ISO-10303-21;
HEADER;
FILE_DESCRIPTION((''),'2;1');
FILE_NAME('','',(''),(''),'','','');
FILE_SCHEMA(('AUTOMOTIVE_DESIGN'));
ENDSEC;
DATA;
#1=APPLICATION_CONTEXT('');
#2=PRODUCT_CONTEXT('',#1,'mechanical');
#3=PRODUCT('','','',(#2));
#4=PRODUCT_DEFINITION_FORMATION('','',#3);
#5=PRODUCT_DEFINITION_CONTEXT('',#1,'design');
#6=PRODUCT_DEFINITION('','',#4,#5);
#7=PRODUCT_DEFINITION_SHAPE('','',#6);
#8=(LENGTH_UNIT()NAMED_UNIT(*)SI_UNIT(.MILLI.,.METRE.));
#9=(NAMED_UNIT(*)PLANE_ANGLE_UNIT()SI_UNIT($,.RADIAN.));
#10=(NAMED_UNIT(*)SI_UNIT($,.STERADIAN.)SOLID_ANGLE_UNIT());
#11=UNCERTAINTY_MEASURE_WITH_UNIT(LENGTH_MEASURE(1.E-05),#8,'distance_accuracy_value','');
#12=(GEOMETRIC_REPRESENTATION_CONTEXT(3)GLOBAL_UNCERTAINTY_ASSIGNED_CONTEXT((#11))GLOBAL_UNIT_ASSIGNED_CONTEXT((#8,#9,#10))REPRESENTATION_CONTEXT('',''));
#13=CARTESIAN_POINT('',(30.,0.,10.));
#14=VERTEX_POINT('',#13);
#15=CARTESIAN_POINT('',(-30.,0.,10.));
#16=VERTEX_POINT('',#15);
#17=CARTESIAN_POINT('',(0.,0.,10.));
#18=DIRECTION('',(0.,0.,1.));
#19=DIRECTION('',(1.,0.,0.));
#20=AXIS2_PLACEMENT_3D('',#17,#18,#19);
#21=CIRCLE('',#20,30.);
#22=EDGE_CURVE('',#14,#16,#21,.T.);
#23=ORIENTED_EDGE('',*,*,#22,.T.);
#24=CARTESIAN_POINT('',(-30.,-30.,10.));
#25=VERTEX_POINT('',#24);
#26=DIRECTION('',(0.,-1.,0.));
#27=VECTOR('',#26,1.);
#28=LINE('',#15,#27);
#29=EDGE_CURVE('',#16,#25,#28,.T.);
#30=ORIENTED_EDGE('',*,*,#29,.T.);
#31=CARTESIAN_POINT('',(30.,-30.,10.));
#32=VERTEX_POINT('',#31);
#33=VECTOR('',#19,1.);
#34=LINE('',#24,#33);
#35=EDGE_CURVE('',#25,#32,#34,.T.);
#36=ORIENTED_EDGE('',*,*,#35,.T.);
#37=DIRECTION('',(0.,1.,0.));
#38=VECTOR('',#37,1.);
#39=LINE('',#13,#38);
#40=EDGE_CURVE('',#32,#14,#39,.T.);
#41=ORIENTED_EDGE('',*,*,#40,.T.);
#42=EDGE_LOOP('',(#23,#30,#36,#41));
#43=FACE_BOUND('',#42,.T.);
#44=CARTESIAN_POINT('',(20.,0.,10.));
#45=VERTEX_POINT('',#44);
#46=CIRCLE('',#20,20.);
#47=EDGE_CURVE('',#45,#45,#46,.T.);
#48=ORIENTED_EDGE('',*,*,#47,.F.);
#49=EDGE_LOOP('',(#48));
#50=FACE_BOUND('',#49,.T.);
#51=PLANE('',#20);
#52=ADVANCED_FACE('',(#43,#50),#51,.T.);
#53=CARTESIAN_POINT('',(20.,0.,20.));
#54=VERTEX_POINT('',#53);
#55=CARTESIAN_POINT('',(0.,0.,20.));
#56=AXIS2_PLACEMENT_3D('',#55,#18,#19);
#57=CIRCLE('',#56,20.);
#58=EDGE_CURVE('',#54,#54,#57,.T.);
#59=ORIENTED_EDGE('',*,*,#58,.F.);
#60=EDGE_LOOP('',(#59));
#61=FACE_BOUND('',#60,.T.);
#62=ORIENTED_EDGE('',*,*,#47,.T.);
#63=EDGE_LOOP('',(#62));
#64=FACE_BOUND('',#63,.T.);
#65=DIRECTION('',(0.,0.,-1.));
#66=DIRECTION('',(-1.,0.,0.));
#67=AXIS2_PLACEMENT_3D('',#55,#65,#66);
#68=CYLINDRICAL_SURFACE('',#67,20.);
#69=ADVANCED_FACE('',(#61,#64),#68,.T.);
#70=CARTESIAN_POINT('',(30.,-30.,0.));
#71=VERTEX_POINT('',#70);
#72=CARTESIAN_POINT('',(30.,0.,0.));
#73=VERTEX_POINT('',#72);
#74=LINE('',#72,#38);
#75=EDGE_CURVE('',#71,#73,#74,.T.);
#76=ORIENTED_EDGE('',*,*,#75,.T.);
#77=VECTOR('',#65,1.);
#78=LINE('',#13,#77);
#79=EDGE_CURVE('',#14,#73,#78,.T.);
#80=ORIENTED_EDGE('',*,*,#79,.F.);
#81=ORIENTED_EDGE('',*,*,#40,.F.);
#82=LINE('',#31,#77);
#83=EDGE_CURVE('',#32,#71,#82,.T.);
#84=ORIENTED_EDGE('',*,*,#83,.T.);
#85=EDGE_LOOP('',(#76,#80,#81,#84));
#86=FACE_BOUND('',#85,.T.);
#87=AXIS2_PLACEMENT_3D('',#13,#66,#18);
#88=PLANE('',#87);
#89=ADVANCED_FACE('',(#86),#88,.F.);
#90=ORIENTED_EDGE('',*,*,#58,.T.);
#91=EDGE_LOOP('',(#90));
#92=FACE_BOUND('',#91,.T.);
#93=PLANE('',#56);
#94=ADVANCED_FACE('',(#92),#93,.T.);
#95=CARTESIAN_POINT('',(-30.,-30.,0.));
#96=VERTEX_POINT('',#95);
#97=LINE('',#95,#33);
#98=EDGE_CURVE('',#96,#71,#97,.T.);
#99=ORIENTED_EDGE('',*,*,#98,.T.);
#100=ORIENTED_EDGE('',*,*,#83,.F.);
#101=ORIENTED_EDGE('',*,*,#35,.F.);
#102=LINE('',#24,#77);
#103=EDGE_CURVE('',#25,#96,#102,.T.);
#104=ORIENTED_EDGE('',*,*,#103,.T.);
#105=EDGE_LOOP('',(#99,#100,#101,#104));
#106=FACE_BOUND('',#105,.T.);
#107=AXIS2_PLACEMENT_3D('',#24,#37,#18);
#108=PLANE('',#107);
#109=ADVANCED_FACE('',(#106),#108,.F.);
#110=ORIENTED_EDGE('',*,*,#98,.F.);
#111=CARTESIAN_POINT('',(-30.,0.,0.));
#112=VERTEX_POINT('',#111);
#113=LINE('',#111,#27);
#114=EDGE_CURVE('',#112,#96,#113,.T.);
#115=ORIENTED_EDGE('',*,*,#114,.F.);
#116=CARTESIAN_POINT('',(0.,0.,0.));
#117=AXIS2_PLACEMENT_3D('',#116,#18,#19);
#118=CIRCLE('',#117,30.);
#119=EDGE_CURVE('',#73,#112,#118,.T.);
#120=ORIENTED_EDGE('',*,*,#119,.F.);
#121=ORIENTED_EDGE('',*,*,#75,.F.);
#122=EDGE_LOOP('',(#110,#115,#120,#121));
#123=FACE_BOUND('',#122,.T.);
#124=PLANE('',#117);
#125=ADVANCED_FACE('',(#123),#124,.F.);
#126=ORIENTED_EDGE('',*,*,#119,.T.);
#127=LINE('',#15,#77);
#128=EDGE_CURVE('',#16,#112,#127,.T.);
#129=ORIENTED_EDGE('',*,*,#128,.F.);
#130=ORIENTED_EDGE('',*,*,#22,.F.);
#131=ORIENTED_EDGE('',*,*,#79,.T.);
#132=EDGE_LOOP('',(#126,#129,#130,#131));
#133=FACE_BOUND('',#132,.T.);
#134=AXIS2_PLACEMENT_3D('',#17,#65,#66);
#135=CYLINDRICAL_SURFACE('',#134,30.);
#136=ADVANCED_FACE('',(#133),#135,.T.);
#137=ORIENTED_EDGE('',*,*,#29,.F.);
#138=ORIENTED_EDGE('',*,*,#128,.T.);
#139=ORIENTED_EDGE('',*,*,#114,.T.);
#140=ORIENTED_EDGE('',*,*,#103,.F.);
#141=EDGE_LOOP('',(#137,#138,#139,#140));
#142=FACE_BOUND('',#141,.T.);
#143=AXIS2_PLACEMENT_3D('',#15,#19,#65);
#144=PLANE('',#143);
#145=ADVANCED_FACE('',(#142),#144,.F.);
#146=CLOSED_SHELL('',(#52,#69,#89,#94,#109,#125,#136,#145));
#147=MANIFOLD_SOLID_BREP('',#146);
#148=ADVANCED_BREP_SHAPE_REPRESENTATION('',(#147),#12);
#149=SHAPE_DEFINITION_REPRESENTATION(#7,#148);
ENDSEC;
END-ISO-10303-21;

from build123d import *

# Parameters (mm, degrees)
EXTRUDE_1_DEPTH = 10
SKETCH_2_R      = 20
EXTRUDE_2_DEPTH = 10


with BuildPart() as part:
    # 草图1 → 凸台-拉伸1 (new body)
    with BuildSketch(Plane.XY):
        with BuildLine():
            Line((-30, 0), (-30, -30))
            Line((-30, -30), (30, -30))
            Line((30, -30), (30, 0))
            ThreePointArc((30, 0), (0, 30), (-30, 0))
        make_face()
    extrude(amount=EXTRUDE_1_DEPTH)

    # 草图2 → 凸台-拉伸2 (add)
    with BuildSketch(Plane.XY.offset(10)):
        Circle(SKETCH_2_R)
    extrude(amount=EXTRUDE_2_DEPTH)


solid = part.part
